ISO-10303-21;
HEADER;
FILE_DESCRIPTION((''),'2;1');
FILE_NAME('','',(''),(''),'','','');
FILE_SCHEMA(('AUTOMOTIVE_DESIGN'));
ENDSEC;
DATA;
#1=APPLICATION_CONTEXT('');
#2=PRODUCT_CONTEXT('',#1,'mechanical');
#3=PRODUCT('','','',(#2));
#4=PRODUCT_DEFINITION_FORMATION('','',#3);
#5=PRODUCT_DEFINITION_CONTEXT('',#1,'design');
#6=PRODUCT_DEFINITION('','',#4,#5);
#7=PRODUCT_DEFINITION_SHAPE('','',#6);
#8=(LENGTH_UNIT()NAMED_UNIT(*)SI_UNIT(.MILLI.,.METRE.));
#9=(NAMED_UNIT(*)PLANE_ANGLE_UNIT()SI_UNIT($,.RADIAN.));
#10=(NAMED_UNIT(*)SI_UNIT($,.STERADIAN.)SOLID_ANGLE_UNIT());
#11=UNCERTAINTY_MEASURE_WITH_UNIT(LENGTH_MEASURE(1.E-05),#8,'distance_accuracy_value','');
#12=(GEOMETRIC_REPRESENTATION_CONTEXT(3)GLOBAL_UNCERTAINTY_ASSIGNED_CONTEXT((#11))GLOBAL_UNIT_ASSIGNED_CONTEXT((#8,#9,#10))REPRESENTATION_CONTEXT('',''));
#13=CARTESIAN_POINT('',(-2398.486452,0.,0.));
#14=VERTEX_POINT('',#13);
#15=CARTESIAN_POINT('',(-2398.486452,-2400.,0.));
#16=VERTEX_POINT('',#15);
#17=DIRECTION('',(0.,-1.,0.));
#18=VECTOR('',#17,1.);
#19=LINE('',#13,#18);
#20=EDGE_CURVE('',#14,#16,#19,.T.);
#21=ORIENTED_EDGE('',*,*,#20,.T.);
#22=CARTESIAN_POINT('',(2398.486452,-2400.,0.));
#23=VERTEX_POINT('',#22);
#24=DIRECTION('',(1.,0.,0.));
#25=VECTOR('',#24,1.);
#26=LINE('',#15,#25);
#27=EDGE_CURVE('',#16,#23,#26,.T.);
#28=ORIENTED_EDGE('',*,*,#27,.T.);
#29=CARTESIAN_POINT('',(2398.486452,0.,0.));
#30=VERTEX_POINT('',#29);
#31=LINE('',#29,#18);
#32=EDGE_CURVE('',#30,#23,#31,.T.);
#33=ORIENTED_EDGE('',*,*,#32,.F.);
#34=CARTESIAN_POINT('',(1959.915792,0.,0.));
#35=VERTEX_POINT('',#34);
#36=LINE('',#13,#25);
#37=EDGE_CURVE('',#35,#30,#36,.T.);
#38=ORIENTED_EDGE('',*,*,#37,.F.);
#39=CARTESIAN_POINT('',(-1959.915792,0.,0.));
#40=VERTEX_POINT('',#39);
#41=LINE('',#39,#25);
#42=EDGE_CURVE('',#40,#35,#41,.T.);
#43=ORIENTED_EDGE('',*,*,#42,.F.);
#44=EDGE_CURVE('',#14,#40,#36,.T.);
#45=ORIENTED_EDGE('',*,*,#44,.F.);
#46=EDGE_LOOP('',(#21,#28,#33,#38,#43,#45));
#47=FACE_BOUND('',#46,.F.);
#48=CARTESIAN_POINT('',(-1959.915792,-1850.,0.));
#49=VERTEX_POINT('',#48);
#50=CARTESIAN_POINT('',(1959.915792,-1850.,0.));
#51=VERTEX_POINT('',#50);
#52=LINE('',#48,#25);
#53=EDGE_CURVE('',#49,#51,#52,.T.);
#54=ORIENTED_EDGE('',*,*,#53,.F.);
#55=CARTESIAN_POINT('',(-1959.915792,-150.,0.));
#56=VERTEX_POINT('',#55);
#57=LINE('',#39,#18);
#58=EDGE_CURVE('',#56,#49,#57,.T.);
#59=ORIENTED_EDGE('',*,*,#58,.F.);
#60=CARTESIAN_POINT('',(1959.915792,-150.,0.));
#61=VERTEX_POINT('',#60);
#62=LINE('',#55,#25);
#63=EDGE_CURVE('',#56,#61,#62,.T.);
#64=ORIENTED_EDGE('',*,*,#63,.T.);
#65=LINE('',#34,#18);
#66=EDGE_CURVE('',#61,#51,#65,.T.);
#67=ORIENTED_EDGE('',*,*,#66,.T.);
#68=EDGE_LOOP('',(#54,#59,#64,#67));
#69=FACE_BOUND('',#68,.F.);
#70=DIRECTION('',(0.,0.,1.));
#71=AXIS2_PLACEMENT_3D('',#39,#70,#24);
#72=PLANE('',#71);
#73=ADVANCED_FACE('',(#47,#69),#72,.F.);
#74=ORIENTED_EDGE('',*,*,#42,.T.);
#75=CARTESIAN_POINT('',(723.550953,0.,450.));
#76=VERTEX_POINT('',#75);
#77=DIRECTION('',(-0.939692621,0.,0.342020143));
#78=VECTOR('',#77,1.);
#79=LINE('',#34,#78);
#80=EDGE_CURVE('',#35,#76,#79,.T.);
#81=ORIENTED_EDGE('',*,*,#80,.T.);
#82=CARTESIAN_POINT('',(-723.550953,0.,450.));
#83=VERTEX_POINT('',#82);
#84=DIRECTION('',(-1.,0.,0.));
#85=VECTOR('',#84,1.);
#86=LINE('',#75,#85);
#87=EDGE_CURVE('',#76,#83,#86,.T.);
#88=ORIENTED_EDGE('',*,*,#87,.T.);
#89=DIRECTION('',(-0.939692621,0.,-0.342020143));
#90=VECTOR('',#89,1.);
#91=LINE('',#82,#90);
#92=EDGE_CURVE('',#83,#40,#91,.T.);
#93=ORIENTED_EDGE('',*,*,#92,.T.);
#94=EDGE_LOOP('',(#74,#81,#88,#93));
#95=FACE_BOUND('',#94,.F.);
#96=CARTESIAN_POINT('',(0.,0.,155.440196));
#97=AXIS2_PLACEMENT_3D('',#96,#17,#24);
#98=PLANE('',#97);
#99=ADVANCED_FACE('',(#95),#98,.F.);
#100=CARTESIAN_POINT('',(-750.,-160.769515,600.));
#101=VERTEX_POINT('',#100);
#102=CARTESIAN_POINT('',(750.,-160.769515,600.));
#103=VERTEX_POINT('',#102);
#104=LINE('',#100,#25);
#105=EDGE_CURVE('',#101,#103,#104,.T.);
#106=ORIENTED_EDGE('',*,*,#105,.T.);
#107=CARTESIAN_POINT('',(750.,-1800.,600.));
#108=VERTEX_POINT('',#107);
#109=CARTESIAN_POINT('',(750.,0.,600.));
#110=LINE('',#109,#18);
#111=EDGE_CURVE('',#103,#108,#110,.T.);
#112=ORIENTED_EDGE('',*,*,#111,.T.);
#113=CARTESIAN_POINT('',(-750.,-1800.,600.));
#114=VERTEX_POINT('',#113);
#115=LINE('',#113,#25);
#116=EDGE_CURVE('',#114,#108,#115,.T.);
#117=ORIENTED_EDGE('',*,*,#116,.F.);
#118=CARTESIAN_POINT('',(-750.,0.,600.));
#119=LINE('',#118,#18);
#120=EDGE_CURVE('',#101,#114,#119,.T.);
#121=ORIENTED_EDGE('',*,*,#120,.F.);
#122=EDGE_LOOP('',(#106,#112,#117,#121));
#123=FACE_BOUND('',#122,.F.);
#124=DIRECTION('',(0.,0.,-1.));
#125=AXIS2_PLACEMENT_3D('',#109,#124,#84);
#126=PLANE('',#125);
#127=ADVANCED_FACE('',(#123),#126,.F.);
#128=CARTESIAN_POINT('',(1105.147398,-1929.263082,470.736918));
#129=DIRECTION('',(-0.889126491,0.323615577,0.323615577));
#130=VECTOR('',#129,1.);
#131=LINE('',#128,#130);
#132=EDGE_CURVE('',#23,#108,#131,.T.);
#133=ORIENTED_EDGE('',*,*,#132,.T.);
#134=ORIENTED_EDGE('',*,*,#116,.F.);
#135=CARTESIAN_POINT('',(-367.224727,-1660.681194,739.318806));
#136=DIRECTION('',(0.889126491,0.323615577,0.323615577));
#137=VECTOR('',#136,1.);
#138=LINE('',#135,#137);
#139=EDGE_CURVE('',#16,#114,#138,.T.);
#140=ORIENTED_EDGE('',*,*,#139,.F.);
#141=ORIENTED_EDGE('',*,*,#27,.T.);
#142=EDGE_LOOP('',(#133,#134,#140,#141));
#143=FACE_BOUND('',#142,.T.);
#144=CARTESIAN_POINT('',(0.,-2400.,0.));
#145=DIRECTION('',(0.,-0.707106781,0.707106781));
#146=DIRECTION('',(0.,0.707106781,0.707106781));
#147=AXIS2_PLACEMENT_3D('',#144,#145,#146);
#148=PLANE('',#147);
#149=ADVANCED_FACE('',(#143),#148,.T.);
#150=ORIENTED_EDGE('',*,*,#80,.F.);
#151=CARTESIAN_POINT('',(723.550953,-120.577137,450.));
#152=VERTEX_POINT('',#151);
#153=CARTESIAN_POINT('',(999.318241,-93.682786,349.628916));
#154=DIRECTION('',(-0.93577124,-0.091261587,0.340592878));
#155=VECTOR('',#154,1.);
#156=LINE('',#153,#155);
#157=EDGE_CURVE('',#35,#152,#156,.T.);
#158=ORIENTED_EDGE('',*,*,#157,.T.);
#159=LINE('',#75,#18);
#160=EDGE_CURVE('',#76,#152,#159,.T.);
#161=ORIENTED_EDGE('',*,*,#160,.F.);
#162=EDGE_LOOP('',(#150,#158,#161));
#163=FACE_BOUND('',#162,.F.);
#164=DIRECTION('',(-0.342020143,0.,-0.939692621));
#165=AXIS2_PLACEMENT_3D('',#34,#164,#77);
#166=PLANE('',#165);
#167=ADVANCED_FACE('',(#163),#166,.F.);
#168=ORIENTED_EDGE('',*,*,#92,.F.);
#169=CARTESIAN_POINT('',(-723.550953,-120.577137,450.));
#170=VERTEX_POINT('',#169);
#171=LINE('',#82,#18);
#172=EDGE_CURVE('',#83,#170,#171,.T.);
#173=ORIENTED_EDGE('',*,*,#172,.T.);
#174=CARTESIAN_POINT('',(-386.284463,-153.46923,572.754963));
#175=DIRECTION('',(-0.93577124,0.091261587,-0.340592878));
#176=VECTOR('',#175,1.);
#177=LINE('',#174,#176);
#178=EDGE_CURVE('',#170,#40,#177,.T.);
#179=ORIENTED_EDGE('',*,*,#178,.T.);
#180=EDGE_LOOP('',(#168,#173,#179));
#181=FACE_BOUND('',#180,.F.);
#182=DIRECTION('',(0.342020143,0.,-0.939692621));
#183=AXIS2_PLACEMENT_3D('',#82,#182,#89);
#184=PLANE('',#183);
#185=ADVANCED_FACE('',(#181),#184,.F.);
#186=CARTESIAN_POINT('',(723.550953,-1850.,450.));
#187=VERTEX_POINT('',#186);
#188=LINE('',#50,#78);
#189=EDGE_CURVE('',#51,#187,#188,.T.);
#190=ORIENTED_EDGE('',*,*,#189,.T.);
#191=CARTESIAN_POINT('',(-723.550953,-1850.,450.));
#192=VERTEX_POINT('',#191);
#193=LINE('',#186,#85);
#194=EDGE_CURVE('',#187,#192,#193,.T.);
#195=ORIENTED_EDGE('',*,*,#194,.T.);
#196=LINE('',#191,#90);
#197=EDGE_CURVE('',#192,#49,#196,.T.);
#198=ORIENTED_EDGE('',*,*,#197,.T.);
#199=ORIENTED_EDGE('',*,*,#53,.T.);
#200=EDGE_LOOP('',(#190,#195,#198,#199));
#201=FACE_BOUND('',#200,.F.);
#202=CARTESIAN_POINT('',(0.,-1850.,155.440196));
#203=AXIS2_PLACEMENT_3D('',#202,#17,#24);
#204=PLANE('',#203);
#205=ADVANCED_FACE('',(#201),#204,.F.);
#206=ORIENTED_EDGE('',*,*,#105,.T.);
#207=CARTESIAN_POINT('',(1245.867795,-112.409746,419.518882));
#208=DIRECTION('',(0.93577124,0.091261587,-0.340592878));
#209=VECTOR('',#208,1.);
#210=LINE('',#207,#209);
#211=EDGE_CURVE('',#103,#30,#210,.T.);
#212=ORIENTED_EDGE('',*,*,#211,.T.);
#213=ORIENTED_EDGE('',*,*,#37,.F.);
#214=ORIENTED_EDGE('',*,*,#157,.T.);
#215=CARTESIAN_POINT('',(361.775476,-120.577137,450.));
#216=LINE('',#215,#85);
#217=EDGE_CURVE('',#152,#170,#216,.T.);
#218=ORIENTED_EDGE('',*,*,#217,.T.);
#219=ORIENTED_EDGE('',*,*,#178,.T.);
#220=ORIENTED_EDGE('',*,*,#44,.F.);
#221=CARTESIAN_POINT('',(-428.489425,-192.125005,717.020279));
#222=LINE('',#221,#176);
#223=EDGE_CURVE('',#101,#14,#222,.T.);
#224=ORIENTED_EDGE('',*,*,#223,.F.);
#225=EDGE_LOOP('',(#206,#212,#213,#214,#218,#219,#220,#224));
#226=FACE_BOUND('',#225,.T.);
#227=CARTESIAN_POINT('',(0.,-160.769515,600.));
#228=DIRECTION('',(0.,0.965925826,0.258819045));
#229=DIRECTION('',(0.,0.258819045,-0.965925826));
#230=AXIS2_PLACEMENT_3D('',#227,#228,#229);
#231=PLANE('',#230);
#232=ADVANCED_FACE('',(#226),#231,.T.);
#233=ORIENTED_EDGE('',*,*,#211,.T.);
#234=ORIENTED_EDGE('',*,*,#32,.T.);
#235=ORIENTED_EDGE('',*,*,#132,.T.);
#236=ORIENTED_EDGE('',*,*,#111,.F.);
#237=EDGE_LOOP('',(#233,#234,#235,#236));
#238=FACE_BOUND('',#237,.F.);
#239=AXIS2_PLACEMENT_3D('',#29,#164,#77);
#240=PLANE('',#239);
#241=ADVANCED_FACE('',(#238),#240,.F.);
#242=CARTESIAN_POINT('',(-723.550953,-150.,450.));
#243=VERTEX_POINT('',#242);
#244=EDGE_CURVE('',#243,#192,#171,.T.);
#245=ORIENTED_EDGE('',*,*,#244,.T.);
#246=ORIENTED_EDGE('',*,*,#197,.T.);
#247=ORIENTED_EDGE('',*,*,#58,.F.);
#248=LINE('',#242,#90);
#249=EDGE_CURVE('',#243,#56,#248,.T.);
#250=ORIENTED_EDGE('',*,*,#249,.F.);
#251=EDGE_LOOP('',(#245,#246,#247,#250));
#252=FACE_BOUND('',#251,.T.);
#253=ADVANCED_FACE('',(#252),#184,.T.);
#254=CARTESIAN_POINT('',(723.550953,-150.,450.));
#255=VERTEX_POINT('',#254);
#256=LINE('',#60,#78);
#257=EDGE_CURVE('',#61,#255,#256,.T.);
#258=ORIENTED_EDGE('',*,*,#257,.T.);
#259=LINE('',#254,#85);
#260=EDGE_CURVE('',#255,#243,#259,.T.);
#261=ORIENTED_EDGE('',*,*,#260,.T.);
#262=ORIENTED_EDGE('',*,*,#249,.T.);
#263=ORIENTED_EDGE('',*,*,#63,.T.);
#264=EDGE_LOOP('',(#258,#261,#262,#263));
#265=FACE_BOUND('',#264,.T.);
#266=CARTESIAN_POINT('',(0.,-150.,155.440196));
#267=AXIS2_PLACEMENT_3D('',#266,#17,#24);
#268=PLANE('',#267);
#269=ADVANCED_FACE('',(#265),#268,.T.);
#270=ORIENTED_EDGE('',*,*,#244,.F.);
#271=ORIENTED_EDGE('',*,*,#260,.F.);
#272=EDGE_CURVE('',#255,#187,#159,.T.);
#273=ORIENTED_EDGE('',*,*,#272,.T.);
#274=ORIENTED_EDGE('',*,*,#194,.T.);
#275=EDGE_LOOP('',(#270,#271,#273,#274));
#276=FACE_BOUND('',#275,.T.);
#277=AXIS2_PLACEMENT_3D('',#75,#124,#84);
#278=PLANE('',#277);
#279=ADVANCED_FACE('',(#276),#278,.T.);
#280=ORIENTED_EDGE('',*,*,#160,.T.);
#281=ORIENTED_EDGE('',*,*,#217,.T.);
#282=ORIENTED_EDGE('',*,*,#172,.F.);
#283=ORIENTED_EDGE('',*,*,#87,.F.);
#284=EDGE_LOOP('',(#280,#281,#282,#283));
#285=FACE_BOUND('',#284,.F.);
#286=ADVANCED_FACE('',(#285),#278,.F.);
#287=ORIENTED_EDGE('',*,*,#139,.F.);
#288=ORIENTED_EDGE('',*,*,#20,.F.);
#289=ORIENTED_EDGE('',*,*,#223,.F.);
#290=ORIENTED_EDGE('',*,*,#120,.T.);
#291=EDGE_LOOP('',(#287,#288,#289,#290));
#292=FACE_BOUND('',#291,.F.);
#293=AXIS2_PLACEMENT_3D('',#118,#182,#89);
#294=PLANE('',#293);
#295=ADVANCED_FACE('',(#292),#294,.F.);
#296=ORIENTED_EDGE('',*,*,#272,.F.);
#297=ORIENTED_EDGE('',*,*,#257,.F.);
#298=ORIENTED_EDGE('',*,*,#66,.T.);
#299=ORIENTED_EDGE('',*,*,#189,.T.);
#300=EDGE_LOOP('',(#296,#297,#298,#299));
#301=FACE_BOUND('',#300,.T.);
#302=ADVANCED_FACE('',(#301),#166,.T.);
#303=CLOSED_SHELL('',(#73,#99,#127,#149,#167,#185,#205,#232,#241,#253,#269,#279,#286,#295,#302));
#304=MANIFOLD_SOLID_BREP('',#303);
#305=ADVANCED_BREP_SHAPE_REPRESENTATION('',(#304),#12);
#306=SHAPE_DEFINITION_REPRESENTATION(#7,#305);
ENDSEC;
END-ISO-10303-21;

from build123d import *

# Parameters (mm, degrees)
F1_DEPTH      = 2400
F3_DEPTH      = 2398.4874516728
F3_DEPTH_BACK = 2398.4874516728
F4_DEPTH      = 25
F4_DEPTH_BACK = 1850
F5_DEPTH      = 150


with BuildPart() as f1:
    # F0 (on Front) → F1 (new body)
    with BuildSketch(Plane.XZ):
        Polygon((-723.5509528937, 450), (-1959.9157916483, 0), (1959.9157916483, 0), (723.5509528937, 450), align=None)
        Polygon((-750, 600), (-2398.4864516728, 0), (-1959.9157916483, 0), (-723.5509528937, 450), (723.5509528937, 450), (1959.9157916483, 0), (2398.4864516728, 0), (1574.2432258364, 300), (750, 600), align=None)
    extrude(amount=F1_DEPTH)

    # F2 (on Right) → F3 (cut, two sides)
    with BuildSketch(Plane.YZ) as f3_sk:
        Polygon((-2400, 600), (-2400, 0), (-1800, 600), align=None)
        Polygon((-160.7695154587, 600), (0, 0), (0, 600), align=None)
    extrude(amount=F3_DEPTH, mode=Mode.SUBTRACT)
    extrude(f3_sk.sketch, amount=-F3_DEPTH_BACK, mode=Mode.SUBTRACT)

    # F0 (on Front) → F4 (cut, two sides)
    with BuildSketch(Plane.XZ) as f4_sk:
        Polygon((-723.5509528937, 450), (-1959.9157916483, 0), (1959.9157916483, 0), (723.5509528937, 450), align=None)
    extrude(amount=-F4_DEPTH, mode=Mode.SUBTRACT)
    extrude(f4_sk.sketch, amount=F4_DEPTH_BACK, mode=Mode.SUBTRACT)

    # F0 (on Front) → F5 (join)
    with BuildSketch(Plane.XZ):
        Polygon((-723.5509528937, 450), (-1959.9157916483, 0), (1959.9157916483, 0), (723.5509528937, 450), align=None)
    extrude(amount=F5_DEPTH)


solid = f1.part
